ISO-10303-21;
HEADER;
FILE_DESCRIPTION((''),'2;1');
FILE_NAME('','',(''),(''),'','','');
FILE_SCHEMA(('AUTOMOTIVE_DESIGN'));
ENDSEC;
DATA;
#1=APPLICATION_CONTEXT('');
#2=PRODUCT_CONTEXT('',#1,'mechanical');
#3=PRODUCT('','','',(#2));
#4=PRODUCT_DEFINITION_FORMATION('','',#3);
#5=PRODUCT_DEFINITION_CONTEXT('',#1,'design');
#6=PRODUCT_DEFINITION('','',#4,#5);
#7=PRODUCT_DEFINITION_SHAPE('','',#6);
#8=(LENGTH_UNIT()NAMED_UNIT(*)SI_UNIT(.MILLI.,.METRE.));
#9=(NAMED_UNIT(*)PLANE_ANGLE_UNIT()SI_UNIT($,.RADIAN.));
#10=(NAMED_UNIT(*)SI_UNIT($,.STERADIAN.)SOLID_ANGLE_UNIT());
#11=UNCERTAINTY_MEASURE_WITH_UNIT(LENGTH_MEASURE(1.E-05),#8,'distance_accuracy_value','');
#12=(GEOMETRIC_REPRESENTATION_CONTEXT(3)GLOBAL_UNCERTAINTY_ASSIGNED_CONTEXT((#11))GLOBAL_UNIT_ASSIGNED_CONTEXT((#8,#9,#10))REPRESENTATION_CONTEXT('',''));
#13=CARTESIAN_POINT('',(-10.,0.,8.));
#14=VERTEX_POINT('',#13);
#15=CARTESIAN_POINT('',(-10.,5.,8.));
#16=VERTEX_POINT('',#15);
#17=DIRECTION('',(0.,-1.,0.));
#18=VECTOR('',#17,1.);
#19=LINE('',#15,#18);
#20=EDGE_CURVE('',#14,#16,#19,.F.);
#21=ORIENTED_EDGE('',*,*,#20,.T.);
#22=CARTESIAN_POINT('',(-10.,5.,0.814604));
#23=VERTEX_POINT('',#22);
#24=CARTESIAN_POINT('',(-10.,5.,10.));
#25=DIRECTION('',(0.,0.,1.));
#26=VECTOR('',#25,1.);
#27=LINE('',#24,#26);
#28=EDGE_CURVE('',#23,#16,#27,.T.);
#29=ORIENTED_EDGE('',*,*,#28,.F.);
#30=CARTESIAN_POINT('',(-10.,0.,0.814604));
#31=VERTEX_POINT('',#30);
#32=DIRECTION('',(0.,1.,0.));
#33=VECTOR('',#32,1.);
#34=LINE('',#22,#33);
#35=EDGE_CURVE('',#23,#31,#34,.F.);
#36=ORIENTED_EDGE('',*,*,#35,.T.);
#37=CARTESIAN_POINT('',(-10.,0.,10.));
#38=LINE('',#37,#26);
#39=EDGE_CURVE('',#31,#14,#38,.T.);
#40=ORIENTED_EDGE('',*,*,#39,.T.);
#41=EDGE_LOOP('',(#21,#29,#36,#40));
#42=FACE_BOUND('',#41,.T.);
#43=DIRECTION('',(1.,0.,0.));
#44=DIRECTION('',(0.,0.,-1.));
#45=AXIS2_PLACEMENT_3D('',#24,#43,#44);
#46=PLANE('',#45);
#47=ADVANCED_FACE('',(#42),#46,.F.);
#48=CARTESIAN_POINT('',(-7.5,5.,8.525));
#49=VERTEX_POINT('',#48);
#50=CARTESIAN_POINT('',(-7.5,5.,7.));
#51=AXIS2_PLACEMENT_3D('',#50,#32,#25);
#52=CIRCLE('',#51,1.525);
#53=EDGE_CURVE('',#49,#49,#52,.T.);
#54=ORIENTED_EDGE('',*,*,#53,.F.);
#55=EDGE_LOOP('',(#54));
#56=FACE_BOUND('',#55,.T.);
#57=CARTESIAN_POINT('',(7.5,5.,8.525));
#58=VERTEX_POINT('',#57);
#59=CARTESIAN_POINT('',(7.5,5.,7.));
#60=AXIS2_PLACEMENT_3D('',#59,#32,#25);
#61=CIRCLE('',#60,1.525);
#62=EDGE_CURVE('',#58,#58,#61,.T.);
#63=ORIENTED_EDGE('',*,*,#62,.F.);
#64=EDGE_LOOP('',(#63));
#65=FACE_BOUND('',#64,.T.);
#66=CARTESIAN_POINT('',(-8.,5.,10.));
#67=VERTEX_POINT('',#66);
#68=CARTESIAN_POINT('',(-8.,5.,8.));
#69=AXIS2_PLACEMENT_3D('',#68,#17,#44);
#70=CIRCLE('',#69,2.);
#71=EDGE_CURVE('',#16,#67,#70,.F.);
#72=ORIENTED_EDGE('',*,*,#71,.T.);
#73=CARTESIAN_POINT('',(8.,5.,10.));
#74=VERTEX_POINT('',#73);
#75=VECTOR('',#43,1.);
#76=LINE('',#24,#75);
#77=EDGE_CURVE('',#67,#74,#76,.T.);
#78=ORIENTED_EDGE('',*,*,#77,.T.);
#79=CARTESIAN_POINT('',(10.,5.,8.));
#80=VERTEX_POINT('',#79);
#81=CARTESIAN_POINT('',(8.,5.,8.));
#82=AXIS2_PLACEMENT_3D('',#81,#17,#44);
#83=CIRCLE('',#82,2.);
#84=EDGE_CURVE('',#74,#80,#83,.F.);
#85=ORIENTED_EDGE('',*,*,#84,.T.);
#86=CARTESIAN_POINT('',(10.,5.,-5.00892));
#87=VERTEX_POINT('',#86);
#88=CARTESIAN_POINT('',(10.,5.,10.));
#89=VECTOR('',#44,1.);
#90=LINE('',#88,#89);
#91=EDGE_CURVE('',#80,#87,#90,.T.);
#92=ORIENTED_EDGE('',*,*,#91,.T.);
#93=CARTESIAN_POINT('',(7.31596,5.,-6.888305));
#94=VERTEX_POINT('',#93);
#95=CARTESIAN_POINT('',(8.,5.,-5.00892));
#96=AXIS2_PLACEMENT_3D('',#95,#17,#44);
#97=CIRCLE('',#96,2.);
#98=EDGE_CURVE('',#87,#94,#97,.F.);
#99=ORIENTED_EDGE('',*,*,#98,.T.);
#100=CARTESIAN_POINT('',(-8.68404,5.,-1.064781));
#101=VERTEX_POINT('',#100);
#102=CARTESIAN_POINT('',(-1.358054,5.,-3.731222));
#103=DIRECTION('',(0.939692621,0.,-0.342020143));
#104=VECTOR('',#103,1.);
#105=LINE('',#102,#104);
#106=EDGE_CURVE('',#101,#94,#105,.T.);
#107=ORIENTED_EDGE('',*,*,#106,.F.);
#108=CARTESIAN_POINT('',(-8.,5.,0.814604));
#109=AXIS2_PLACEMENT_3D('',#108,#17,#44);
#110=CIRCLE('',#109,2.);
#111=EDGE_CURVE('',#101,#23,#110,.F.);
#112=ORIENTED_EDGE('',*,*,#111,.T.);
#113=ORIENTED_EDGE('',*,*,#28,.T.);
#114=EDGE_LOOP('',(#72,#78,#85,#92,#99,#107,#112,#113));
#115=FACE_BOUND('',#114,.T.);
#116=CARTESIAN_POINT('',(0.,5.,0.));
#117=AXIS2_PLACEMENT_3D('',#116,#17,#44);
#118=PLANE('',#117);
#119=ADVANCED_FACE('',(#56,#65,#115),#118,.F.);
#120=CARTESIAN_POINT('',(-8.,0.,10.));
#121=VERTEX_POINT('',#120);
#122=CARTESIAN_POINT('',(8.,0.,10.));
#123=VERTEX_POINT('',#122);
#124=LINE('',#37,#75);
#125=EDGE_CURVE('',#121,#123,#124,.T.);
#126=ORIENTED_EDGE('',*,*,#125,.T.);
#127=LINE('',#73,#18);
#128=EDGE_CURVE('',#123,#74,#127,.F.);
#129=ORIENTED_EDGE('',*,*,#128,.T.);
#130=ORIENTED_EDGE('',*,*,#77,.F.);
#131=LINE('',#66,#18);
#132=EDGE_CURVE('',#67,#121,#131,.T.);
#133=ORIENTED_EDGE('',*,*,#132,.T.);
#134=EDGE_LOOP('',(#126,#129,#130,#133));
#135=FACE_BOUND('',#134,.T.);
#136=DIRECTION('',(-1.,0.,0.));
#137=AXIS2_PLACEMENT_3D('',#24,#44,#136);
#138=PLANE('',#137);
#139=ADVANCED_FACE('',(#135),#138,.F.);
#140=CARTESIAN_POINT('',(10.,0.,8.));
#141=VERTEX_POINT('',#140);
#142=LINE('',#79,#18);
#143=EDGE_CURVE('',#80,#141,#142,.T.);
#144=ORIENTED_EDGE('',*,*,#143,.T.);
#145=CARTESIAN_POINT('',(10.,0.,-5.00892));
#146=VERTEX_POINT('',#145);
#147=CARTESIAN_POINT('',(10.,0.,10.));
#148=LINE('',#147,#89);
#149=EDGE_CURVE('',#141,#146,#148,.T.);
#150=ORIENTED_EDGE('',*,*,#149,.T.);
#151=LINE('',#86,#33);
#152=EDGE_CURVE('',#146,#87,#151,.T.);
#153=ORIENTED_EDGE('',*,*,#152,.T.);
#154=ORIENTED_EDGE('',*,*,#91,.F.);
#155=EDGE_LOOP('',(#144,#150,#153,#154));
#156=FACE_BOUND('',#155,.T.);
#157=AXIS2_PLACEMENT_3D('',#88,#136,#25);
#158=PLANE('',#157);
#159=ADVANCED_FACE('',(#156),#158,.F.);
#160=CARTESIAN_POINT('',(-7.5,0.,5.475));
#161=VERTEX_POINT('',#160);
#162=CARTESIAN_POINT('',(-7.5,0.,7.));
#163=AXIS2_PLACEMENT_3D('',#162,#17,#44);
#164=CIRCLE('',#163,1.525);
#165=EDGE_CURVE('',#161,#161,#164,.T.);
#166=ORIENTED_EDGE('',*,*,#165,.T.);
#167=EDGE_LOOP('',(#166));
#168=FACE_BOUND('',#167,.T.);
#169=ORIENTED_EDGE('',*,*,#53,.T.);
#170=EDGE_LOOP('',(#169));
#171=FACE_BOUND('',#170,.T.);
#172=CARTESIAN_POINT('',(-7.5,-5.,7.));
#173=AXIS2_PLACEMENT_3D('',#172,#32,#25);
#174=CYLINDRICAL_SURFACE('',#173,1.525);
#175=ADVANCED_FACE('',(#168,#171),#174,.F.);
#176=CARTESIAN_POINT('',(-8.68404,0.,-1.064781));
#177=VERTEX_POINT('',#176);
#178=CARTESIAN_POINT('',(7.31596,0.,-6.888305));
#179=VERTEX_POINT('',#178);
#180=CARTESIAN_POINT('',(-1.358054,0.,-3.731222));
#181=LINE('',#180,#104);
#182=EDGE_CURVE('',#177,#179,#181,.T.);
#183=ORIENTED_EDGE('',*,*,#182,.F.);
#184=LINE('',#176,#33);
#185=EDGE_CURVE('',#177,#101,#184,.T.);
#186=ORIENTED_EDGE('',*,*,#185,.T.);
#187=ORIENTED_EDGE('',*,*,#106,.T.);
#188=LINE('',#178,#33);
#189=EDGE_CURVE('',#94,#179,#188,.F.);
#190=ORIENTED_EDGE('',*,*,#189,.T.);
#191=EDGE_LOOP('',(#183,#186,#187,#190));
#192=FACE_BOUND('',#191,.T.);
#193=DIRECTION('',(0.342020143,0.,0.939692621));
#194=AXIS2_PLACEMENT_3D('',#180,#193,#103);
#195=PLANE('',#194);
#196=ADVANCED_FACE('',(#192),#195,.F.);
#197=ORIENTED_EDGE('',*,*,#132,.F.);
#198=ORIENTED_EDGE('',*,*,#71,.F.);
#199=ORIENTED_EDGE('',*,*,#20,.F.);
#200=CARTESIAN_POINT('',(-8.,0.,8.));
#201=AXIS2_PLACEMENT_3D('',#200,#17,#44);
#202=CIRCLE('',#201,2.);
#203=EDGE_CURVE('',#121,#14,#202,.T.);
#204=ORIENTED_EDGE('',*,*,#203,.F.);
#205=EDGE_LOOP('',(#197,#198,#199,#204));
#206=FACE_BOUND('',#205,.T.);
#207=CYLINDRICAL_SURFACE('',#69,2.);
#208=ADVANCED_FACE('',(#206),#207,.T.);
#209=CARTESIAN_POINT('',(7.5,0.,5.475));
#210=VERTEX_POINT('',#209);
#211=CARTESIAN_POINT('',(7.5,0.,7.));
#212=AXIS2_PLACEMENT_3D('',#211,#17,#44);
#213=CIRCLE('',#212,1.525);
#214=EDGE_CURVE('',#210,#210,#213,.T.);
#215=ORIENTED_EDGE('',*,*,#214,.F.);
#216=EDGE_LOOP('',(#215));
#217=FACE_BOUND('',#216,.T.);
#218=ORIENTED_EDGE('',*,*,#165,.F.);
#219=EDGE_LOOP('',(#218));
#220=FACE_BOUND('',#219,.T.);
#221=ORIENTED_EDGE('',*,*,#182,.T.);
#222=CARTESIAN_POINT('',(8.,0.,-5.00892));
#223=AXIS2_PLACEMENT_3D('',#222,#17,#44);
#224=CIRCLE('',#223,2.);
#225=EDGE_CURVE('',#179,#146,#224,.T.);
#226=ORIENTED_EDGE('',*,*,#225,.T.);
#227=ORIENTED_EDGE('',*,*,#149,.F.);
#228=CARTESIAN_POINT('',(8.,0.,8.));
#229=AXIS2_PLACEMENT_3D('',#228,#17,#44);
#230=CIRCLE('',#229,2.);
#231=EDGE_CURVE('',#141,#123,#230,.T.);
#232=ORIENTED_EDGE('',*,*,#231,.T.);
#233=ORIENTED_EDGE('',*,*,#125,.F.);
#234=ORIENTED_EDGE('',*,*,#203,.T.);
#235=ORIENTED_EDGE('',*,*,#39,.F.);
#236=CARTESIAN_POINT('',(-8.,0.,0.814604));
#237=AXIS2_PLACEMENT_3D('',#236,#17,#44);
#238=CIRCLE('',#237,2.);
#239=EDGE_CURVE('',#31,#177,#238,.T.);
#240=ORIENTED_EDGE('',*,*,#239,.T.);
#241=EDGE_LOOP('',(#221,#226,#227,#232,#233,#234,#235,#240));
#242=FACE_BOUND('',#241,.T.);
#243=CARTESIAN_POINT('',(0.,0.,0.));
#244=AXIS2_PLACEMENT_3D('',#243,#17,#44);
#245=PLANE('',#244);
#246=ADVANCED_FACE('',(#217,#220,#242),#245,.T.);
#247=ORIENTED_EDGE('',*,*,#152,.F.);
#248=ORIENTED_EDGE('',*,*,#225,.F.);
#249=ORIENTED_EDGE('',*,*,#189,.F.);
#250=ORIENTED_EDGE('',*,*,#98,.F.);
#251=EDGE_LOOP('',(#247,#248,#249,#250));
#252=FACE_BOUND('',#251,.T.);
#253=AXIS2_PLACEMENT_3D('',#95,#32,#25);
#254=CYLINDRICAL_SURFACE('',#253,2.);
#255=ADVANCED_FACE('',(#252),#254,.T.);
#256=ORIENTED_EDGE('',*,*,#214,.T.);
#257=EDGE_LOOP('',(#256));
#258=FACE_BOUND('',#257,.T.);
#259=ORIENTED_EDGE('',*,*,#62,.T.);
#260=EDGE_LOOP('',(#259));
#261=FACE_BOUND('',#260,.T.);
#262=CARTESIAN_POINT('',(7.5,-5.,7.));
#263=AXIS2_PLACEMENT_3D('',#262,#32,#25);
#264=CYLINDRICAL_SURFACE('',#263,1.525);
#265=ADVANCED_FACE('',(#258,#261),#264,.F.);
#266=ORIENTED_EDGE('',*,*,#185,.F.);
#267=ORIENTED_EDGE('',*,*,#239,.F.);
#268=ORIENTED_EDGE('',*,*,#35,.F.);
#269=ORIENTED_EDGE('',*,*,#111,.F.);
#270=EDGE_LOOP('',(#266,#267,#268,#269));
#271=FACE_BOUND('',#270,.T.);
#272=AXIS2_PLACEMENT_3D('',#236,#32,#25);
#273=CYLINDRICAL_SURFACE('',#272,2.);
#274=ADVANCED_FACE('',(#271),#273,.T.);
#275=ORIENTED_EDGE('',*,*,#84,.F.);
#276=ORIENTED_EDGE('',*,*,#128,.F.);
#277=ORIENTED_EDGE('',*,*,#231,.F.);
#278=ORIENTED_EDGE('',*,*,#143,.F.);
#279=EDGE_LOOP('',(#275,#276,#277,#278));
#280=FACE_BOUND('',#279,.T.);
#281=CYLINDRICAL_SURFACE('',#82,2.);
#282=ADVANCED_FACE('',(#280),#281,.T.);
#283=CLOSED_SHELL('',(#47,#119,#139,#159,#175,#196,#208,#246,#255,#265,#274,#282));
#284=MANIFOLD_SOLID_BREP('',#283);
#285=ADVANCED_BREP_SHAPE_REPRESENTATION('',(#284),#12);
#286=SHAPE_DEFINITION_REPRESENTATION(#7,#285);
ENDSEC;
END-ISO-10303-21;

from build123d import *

# Parameters (mm, degrees)
SKETCH_1_W          = 20
SKETCH_1_H          = 20
EXTRUDE_1_DEPTH     = 5
SKETCH_2_R          = 1.525
CUT_EXTRUDE_1_DEPTH = 10
CUT_EXTRUDE_2_DEPTH = 6
FILLET_2_R          = 2


with BuildPart() as part:
    # 草图1 → 凸台-拉伸1 (new body)
    with BuildSketch(Plane(origin=(0, 0, 0), x_dir=(1, 0, 0), z_dir=(0, 1, 0))):
        Rectangle(SKETCH_1_W, SKETCH_1_H)
    extrude(amount=EXTRUDE_1_DEPTH)

    # 草图2 → 切除-拉伸1 (cut)
    with BuildSketch(Plane(origin=(0, 5, 0), x_dir=(1, 0, 0), z_dir=(0, 1, 0))):
        with Locations((-7.5, -7)):
            Circle(SKETCH_2_R)
        with Locations((7.5, -7)):
            Circle(SKETCH_2_R)
    extrude(amount=-CUT_EXTRUDE_1_DEPTH, mode=Mode.SUBTRACT)

    # 草图3 → 切除-拉伸2 (cut, through all)
    with BuildSketch(Plane(origin=(0, 5, 0), x_dir=(1, 0, 0), z_dir=(0, 1, 0))):
        Polygon((-10, 10), (-10, 0.585811222), (10, 7.865215908), (10, 10), align=None)
    extrude(amount=-CUT_EXTRUDE_2_DEPTH, mode=Mode.SUBTRACT)

    # 圆角2
    fillet_2_edges = [part.edges().sort_by_distance(p)[0] for p in [
        (-10, 2.5, -0.585811222),
        (10, 2.5, -7.865215908),
        (10, 2.5, 10),
        (-10, 2.5, 10),
    ]]
    fillet(fillet_2_edges, radius=FILLET_2_R)


solid = part.part
